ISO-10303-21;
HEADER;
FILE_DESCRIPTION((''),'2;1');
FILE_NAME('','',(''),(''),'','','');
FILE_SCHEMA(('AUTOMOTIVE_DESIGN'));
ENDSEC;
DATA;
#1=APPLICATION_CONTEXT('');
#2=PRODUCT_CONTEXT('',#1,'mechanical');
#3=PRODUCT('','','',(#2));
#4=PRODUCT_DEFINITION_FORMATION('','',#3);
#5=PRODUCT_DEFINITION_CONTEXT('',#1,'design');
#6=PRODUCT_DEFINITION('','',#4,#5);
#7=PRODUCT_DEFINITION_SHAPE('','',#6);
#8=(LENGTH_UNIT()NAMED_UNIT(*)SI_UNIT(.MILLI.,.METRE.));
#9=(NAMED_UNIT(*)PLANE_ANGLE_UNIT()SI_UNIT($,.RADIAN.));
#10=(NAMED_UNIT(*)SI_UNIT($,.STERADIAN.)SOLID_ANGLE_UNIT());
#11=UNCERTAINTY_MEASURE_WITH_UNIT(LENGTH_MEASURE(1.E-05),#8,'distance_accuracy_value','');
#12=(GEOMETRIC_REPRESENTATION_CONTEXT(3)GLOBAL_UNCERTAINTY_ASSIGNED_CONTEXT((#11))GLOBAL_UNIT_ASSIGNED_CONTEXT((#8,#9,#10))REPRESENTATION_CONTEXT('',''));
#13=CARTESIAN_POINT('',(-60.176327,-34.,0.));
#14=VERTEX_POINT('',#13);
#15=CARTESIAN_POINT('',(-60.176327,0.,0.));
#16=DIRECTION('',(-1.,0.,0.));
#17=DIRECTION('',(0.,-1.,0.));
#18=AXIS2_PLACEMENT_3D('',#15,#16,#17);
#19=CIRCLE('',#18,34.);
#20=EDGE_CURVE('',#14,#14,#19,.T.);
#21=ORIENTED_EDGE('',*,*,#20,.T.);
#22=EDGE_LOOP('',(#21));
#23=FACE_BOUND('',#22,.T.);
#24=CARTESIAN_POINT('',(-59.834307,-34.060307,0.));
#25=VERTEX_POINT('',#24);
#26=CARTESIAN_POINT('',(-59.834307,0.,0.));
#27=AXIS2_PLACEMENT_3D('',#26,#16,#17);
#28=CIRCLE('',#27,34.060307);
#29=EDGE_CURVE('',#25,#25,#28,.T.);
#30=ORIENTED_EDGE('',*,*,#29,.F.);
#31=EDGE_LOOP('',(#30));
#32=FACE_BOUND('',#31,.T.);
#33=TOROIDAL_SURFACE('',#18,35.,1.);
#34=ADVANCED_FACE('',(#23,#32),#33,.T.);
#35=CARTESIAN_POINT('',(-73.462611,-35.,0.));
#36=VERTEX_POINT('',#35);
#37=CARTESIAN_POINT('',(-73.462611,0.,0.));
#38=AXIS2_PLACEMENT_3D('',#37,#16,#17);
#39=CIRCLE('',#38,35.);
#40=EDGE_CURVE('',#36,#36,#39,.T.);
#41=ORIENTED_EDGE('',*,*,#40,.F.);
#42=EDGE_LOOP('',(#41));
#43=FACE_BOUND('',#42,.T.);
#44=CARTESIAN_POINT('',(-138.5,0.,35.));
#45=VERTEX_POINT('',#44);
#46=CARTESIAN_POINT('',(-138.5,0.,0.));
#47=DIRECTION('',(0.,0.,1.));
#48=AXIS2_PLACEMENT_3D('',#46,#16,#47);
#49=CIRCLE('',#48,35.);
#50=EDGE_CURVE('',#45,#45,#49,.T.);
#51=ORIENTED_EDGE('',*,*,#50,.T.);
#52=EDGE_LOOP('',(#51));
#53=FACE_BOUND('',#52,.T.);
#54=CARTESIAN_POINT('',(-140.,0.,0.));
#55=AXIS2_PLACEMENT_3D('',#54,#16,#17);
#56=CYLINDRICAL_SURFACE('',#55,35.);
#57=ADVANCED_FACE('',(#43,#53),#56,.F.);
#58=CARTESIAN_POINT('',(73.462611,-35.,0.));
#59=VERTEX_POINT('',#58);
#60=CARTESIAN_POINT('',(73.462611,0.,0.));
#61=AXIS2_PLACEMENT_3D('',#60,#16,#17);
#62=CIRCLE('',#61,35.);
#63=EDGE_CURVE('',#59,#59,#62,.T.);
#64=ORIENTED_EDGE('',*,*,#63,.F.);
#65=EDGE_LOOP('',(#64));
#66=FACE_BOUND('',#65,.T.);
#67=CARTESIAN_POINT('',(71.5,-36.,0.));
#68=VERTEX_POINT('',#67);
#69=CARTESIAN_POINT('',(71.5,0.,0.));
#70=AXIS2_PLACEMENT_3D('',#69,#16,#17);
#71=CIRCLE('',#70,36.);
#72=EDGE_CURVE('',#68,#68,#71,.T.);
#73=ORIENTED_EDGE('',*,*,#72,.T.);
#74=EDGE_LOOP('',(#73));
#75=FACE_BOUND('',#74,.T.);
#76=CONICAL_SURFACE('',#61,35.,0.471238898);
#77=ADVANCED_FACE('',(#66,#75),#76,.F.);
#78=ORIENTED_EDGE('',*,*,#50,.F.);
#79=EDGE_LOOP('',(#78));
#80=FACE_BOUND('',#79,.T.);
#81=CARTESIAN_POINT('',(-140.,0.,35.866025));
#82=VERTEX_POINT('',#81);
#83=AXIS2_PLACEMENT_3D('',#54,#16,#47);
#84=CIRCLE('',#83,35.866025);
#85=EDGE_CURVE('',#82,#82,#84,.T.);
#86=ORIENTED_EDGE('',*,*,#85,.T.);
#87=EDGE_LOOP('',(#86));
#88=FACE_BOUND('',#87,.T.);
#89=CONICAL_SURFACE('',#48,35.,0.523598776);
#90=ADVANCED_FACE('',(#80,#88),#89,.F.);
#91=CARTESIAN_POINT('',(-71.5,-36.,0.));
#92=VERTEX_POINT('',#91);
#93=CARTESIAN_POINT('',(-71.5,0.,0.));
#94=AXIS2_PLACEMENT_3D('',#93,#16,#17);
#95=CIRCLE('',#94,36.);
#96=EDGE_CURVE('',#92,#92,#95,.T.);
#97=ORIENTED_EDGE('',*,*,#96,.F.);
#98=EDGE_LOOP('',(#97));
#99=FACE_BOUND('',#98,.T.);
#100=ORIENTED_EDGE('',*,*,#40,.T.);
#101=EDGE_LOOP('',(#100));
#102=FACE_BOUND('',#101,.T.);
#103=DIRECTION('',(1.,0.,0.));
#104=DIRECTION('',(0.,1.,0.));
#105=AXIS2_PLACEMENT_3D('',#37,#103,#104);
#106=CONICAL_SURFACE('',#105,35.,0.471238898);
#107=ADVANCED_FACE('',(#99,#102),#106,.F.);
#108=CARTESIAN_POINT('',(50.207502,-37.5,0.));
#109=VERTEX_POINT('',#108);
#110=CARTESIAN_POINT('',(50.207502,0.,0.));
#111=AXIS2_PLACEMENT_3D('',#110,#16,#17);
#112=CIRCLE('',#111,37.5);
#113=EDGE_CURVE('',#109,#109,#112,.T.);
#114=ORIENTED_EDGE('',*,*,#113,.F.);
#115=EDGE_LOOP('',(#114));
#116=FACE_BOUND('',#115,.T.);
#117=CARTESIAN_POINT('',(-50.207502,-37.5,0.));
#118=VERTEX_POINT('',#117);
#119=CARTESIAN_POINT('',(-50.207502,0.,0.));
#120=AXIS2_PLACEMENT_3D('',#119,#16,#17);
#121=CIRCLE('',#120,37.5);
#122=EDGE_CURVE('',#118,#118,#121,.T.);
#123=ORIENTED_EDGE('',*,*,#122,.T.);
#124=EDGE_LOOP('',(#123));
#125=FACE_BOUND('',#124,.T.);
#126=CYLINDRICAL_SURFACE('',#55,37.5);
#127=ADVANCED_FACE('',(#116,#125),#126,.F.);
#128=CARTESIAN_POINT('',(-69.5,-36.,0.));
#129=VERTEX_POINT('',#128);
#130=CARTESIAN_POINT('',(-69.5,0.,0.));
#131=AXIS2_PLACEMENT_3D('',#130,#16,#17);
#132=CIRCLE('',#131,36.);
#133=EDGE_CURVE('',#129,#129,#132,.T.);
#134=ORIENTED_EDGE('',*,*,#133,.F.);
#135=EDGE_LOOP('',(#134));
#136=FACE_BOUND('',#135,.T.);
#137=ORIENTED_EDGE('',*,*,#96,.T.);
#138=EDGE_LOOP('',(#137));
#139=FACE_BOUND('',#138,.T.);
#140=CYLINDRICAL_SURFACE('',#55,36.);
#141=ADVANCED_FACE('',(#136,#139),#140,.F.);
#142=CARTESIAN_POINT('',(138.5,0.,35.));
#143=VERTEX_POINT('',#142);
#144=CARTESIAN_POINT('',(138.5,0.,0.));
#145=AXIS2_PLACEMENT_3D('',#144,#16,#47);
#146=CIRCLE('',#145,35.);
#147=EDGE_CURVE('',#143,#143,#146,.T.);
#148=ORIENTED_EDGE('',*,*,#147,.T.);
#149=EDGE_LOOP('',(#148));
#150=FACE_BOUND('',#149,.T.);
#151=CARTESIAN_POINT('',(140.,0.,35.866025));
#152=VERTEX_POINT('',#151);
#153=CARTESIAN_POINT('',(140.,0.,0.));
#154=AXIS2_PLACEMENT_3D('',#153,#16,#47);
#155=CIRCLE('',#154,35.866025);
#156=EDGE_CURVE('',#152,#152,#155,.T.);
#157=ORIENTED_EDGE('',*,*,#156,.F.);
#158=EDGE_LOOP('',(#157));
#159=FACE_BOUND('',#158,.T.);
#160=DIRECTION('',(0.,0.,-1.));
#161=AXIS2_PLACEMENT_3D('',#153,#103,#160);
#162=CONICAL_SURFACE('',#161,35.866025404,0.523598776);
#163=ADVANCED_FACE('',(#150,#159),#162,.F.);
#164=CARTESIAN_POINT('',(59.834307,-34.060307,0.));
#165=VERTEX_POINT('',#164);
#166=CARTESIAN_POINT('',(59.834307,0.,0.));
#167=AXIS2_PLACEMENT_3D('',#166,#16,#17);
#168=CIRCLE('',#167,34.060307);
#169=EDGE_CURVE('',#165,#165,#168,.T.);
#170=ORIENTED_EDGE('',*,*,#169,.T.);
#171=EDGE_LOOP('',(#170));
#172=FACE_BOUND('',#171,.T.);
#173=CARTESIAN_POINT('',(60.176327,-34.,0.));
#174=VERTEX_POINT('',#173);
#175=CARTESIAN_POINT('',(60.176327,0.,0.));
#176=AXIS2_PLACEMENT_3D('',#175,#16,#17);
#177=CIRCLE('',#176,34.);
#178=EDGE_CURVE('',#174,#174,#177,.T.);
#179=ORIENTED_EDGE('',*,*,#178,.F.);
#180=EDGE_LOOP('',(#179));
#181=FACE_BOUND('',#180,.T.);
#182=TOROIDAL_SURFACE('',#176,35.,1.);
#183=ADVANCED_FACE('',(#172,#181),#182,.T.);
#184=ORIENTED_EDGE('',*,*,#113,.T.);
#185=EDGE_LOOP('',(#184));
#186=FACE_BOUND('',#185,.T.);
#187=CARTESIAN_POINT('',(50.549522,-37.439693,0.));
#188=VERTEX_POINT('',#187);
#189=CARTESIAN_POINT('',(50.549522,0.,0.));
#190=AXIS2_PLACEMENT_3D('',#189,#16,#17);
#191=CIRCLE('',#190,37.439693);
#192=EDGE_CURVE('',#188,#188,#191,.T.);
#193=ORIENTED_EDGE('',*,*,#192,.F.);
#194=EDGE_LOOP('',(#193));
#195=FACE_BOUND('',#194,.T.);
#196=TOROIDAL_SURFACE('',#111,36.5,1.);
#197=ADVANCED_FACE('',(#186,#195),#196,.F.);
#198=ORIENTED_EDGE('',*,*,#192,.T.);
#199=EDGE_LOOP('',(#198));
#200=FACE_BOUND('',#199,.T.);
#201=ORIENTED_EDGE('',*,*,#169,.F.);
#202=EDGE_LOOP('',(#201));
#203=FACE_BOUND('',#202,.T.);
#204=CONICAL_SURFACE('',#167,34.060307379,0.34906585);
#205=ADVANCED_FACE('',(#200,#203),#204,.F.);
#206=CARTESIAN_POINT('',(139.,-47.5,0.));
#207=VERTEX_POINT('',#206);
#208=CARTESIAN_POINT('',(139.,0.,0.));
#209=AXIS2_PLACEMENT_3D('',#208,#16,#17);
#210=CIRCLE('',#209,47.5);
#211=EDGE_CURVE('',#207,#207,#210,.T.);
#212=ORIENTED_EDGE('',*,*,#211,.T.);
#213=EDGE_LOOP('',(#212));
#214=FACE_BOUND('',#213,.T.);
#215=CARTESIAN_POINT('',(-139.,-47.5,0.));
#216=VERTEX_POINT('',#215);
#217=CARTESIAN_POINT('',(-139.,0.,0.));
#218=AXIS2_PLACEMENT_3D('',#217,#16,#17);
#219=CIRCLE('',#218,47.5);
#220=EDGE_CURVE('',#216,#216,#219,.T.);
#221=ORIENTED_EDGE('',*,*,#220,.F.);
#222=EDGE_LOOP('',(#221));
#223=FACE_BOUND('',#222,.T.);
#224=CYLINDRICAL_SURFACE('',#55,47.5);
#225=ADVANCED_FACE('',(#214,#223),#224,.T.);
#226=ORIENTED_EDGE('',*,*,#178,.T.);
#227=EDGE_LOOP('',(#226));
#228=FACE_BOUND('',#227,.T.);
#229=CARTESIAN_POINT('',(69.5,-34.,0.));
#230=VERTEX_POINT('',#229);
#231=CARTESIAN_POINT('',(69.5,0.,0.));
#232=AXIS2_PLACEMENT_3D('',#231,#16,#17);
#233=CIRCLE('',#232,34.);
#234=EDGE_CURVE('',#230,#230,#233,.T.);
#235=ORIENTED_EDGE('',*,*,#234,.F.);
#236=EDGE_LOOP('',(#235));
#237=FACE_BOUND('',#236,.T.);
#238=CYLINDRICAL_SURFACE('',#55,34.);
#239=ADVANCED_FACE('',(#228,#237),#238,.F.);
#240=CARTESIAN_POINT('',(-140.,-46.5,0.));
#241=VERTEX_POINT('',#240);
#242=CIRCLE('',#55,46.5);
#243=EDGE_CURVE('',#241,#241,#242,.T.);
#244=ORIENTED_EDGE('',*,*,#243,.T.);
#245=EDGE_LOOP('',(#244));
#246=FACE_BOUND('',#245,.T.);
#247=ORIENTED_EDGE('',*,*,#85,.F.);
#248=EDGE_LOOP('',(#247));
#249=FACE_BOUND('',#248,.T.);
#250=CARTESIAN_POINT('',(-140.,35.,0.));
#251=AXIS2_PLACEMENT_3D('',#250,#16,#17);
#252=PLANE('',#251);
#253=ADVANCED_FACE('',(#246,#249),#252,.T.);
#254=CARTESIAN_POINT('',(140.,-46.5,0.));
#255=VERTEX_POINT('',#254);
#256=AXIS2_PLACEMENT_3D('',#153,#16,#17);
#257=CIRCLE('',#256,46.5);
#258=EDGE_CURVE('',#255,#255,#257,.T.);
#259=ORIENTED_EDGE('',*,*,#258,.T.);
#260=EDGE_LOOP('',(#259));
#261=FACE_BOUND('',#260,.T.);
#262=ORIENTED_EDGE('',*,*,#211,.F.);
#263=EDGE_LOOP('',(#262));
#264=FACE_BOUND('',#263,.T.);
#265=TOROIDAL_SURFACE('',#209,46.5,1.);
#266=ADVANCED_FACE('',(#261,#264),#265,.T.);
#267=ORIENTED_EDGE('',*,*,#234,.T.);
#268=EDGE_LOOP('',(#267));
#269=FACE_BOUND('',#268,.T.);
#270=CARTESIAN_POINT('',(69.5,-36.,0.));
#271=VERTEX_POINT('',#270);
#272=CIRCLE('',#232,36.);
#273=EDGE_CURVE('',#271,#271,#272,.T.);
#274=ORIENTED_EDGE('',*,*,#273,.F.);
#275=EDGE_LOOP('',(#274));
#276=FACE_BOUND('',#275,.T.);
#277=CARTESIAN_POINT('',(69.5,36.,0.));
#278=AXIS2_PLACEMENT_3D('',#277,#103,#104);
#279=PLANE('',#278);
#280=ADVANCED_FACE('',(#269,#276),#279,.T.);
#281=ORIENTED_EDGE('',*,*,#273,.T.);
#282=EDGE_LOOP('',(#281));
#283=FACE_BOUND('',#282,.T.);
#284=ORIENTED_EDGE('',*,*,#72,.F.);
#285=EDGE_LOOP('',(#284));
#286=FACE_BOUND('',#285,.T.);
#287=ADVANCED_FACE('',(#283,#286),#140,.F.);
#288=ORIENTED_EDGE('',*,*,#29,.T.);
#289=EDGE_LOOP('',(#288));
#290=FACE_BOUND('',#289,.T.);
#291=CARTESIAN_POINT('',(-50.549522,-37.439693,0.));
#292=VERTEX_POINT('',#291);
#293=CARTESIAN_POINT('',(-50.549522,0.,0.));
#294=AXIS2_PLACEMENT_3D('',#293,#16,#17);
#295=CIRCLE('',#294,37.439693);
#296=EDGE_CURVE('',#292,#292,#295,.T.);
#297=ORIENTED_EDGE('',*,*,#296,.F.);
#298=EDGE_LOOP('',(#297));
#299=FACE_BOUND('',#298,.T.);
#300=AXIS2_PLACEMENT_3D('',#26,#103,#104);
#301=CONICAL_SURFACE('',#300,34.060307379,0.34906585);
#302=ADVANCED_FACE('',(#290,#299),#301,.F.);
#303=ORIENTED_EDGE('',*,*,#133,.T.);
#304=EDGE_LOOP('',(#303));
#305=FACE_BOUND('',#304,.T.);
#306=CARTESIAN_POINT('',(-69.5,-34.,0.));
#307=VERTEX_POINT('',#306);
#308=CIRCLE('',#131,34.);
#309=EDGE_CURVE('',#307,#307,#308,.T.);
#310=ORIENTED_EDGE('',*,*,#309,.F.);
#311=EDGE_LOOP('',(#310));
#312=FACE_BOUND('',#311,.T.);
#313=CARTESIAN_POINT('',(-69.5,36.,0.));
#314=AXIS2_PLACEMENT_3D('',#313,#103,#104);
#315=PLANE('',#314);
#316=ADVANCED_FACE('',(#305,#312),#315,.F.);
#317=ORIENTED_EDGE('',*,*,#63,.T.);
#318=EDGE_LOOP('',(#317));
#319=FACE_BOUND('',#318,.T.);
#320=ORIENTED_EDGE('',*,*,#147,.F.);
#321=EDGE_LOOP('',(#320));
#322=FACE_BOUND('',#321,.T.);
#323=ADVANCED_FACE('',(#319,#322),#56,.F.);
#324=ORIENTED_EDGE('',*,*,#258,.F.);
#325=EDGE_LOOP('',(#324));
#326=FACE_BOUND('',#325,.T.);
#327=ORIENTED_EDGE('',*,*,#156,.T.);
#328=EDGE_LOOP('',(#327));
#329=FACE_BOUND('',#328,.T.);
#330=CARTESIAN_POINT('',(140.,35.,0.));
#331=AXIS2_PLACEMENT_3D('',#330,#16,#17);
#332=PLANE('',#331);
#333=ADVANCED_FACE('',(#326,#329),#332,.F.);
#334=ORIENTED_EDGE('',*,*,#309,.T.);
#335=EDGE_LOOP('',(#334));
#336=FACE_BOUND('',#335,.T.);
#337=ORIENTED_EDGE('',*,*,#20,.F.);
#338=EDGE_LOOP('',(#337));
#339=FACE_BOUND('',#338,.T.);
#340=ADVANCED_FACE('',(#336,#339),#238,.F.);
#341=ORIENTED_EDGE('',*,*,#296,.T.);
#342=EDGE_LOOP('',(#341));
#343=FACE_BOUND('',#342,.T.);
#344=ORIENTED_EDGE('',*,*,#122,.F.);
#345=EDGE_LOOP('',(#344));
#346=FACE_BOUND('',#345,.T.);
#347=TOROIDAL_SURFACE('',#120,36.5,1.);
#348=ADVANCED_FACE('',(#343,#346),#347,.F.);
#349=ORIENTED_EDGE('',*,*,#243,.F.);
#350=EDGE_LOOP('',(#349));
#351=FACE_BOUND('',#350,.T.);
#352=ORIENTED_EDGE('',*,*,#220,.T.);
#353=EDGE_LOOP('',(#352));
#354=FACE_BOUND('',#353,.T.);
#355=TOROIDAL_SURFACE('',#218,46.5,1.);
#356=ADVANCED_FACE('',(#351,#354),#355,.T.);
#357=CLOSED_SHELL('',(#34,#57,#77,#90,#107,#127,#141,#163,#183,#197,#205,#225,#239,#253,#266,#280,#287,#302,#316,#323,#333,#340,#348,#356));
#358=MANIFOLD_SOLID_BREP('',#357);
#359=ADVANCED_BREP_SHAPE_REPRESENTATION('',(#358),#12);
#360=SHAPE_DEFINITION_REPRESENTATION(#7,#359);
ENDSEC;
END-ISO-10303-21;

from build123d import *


with BuildPart() as part:
    # Sketch1 → Base-Revolve (revolve)
    with BuildSketch(Plane.XY):
        with BuildLine():
            Line((-140, 35), (-140, 46.5))
            ThreePointArc((-140, 46.5), (-139.707106781, 47.207106781), (-139, 47.5))
            Line((-139, 47.5), (139, 47.5))
            ThreePointArc((139, 47.5), (139.707106781, 47.207106781), (140, 46.5))
            Line((140, 46.5), (140, 35))
            Line((140, 35), (73.462610506, 35))
            Line((73.462610506, 35), (71.5, 36))
            Line((71.5, 36), (69.5, 36))
            Line((69.5, 36), (69.5, 34))
            Line((69.5, 34), (60.176326981, 34))
            ThreePointArc((60.176326981, 34), (60.002678803, 34.015192247), (59.834306837, 34.060307379))
            Line((59.834306837, 34.060307379), (50.549522195, 37.439692621))
            ThreePointArc((50.549522195, 37.439692621), (50.381150229, 37.484807753), (50.207502051, 37.5))
            Line((50.207502051, 37.5), (-50.207502051, 37.5))
            ThreePointArc((-50.207502051, 37.5), (-50.381150229, 37.484807753), (-50.549522195, 37.439692621))
            Line((-50.549522195, 37.439692621), (-59.834306837, 34.060307379))
            ThreePointArc((-59.834306837, 34.060307379), (-60.002678803, 34.015192247), (-60.176326981, 34))
            Line((-60.176326981, 34), (-69.5, 34))
            Line((-69.5, 34), (-69.5, 36))
            Line((-69.5, 36), (-71.5, 36))
            Line((-71.5, 36), (-73.462610506, 35))
            Line((-73.462610506, 35), (-140, 35))
        make_face()
    revolve(axis=Axis((-140, 0, 0), (1, 0, 0)))

    # Sketch5 → 2.5 x 30 gr reifning (revolve, cut)
    with BuildSketch(Plane.XY):
        Polygon((140, 35.866025404), (138.5, 35), (140, 35), align=None)
        Polygon((-140, 35), (-140, 35.866025404), (-138.5, 35), align=None)
    revolve(axis=Axis((0, 0, 0), (1, 0, 0)), mode=Mode.SUBTRACT)


solid = part.part
